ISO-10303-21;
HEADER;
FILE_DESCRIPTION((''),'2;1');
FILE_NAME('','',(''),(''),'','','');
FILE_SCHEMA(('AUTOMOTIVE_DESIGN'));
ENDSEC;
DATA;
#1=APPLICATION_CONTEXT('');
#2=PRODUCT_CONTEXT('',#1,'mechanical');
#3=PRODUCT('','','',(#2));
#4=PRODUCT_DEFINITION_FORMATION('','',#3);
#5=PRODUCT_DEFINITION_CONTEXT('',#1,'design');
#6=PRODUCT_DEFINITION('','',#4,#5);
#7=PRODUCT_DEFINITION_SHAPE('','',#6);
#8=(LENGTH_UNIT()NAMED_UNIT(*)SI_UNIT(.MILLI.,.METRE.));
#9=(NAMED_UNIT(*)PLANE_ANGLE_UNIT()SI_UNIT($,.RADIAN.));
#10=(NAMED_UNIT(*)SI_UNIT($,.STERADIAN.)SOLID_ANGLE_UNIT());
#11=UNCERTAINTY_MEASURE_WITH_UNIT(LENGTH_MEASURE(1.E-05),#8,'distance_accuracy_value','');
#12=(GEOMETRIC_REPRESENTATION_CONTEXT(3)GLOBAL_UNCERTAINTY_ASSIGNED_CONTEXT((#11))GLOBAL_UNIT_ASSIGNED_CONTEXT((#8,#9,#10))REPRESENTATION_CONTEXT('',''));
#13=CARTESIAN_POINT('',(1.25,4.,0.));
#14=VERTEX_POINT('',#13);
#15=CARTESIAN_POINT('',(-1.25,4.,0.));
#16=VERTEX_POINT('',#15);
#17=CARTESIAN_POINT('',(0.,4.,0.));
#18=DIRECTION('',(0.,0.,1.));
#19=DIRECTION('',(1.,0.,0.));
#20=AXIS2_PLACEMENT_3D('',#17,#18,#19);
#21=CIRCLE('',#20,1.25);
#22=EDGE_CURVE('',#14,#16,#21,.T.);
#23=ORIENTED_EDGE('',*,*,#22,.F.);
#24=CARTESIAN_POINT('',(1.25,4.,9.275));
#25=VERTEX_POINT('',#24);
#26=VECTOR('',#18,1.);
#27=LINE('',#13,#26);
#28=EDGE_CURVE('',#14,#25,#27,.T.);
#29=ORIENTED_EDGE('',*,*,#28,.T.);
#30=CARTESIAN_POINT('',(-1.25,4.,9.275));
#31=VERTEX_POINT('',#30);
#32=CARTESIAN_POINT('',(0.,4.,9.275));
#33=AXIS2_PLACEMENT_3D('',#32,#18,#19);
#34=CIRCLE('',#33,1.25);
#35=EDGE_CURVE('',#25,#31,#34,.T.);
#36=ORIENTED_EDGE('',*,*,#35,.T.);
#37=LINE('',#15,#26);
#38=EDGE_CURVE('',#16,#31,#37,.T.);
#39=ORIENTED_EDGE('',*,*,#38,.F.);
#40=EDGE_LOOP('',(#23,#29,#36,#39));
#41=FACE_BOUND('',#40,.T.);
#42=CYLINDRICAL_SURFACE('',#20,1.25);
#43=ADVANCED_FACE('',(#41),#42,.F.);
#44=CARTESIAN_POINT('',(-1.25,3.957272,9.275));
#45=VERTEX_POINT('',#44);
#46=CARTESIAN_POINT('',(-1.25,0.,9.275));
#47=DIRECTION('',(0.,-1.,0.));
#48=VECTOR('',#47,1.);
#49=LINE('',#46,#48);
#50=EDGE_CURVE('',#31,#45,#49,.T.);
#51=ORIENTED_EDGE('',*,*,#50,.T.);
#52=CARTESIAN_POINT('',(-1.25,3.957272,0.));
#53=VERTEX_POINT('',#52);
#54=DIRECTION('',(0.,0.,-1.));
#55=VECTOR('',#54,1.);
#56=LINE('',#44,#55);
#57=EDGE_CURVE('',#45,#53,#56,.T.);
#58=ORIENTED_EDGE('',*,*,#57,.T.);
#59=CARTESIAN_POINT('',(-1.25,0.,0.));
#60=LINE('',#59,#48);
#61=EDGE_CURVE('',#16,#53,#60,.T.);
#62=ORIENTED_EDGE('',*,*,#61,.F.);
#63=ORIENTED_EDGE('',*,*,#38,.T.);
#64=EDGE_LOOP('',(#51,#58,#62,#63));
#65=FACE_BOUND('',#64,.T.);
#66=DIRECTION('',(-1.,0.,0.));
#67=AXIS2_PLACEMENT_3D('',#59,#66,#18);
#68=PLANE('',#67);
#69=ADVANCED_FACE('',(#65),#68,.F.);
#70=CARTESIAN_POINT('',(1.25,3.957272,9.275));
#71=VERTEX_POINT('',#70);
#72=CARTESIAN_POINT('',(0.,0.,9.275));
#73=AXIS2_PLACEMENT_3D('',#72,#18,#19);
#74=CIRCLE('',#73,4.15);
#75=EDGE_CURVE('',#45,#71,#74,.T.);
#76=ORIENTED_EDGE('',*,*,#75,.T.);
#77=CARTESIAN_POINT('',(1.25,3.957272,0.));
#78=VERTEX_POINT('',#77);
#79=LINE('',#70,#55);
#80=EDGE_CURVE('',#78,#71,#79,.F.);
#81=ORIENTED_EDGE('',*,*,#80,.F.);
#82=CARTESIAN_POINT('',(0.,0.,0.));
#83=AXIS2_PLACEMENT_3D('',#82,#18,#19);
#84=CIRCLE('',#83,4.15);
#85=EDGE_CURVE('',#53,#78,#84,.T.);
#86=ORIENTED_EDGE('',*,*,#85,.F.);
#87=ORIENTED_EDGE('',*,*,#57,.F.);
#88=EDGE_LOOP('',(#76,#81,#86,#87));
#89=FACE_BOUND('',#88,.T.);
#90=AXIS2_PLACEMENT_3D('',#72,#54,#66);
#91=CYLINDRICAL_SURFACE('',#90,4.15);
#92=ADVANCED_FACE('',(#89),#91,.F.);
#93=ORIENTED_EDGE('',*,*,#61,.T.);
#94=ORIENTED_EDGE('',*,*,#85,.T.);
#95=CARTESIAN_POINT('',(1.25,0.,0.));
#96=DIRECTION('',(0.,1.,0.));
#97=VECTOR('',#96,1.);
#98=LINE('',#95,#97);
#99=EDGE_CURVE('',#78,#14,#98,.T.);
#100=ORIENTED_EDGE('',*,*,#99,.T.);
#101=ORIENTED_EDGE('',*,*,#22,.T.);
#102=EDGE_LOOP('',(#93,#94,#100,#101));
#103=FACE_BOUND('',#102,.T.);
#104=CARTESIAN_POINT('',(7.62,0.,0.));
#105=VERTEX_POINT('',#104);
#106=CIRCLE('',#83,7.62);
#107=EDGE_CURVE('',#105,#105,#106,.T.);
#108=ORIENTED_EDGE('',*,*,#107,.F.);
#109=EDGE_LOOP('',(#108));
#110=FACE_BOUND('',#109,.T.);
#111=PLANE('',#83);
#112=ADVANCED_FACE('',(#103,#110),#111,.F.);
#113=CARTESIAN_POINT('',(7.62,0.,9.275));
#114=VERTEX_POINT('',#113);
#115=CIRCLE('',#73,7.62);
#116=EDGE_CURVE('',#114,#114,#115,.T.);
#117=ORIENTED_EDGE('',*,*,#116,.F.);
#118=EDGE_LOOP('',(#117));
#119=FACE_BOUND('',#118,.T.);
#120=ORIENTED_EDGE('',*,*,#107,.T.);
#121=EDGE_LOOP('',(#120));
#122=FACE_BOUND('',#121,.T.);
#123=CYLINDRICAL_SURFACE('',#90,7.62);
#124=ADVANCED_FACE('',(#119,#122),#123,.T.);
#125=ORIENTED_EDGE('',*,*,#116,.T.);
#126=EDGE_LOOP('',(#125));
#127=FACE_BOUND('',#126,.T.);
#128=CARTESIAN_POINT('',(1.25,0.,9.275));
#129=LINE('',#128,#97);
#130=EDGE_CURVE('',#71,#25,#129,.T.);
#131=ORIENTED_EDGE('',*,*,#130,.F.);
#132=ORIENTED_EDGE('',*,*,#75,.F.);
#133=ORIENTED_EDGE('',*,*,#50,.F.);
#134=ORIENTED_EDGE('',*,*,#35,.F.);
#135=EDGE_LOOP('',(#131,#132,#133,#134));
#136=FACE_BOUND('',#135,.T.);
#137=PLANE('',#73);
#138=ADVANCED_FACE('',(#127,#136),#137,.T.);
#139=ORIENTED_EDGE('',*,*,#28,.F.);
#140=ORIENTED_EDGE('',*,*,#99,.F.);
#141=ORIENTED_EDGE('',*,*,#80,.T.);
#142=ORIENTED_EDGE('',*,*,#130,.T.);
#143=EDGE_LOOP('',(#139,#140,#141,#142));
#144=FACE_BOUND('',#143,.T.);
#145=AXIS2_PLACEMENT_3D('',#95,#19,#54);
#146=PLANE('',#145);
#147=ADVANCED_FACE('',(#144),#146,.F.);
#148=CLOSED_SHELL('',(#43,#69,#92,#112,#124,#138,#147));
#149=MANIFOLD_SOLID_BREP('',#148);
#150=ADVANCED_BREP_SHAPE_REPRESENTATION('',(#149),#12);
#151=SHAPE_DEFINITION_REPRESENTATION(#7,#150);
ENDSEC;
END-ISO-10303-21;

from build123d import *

# Parameters (mm, degrees)
CROQUIS1_R              = 7.62
CROQUIS1_R_2            = 4.15
SALIENTE_EXTRUIR1_DEPTH = 9.274999992
CORTAR_EXTRUIR1_DEPTH   = 15.218102013


with BuildPart() as part:
    # Croquis1 → Saliente-Extruir1 (new body)
    with BuildSketch(Plane.XY):
        Circle(CROQUIS1_R)
        Circle(CROQUIS1_R_2, mode=Mode.SUBTRACT)
    extrude(amount=SALIENTE_EXTRUIR1_DEPTH)

    # Croquis2 → Cortar-Extruir1 (cut, through all)
    with BuildSketch(Plane.XY.offset(9.274999992)):
        with BuildLine():
            Line((-1.25, 0), (-1.25, 4))
            ThreePointArc((-1.25, 4), (0, 5.25), (1.25, 4))
            Line((1.25, 4), (1.25, 0))
            ThreePointArc((1.25, 0), (0, -1.25), (-1.25, 0))
        make_face()
    extrude(amount=-CORTAR_EXTRUIR1_DEPTH, mode=Mode.SUBTRACT)


solid = part.part
